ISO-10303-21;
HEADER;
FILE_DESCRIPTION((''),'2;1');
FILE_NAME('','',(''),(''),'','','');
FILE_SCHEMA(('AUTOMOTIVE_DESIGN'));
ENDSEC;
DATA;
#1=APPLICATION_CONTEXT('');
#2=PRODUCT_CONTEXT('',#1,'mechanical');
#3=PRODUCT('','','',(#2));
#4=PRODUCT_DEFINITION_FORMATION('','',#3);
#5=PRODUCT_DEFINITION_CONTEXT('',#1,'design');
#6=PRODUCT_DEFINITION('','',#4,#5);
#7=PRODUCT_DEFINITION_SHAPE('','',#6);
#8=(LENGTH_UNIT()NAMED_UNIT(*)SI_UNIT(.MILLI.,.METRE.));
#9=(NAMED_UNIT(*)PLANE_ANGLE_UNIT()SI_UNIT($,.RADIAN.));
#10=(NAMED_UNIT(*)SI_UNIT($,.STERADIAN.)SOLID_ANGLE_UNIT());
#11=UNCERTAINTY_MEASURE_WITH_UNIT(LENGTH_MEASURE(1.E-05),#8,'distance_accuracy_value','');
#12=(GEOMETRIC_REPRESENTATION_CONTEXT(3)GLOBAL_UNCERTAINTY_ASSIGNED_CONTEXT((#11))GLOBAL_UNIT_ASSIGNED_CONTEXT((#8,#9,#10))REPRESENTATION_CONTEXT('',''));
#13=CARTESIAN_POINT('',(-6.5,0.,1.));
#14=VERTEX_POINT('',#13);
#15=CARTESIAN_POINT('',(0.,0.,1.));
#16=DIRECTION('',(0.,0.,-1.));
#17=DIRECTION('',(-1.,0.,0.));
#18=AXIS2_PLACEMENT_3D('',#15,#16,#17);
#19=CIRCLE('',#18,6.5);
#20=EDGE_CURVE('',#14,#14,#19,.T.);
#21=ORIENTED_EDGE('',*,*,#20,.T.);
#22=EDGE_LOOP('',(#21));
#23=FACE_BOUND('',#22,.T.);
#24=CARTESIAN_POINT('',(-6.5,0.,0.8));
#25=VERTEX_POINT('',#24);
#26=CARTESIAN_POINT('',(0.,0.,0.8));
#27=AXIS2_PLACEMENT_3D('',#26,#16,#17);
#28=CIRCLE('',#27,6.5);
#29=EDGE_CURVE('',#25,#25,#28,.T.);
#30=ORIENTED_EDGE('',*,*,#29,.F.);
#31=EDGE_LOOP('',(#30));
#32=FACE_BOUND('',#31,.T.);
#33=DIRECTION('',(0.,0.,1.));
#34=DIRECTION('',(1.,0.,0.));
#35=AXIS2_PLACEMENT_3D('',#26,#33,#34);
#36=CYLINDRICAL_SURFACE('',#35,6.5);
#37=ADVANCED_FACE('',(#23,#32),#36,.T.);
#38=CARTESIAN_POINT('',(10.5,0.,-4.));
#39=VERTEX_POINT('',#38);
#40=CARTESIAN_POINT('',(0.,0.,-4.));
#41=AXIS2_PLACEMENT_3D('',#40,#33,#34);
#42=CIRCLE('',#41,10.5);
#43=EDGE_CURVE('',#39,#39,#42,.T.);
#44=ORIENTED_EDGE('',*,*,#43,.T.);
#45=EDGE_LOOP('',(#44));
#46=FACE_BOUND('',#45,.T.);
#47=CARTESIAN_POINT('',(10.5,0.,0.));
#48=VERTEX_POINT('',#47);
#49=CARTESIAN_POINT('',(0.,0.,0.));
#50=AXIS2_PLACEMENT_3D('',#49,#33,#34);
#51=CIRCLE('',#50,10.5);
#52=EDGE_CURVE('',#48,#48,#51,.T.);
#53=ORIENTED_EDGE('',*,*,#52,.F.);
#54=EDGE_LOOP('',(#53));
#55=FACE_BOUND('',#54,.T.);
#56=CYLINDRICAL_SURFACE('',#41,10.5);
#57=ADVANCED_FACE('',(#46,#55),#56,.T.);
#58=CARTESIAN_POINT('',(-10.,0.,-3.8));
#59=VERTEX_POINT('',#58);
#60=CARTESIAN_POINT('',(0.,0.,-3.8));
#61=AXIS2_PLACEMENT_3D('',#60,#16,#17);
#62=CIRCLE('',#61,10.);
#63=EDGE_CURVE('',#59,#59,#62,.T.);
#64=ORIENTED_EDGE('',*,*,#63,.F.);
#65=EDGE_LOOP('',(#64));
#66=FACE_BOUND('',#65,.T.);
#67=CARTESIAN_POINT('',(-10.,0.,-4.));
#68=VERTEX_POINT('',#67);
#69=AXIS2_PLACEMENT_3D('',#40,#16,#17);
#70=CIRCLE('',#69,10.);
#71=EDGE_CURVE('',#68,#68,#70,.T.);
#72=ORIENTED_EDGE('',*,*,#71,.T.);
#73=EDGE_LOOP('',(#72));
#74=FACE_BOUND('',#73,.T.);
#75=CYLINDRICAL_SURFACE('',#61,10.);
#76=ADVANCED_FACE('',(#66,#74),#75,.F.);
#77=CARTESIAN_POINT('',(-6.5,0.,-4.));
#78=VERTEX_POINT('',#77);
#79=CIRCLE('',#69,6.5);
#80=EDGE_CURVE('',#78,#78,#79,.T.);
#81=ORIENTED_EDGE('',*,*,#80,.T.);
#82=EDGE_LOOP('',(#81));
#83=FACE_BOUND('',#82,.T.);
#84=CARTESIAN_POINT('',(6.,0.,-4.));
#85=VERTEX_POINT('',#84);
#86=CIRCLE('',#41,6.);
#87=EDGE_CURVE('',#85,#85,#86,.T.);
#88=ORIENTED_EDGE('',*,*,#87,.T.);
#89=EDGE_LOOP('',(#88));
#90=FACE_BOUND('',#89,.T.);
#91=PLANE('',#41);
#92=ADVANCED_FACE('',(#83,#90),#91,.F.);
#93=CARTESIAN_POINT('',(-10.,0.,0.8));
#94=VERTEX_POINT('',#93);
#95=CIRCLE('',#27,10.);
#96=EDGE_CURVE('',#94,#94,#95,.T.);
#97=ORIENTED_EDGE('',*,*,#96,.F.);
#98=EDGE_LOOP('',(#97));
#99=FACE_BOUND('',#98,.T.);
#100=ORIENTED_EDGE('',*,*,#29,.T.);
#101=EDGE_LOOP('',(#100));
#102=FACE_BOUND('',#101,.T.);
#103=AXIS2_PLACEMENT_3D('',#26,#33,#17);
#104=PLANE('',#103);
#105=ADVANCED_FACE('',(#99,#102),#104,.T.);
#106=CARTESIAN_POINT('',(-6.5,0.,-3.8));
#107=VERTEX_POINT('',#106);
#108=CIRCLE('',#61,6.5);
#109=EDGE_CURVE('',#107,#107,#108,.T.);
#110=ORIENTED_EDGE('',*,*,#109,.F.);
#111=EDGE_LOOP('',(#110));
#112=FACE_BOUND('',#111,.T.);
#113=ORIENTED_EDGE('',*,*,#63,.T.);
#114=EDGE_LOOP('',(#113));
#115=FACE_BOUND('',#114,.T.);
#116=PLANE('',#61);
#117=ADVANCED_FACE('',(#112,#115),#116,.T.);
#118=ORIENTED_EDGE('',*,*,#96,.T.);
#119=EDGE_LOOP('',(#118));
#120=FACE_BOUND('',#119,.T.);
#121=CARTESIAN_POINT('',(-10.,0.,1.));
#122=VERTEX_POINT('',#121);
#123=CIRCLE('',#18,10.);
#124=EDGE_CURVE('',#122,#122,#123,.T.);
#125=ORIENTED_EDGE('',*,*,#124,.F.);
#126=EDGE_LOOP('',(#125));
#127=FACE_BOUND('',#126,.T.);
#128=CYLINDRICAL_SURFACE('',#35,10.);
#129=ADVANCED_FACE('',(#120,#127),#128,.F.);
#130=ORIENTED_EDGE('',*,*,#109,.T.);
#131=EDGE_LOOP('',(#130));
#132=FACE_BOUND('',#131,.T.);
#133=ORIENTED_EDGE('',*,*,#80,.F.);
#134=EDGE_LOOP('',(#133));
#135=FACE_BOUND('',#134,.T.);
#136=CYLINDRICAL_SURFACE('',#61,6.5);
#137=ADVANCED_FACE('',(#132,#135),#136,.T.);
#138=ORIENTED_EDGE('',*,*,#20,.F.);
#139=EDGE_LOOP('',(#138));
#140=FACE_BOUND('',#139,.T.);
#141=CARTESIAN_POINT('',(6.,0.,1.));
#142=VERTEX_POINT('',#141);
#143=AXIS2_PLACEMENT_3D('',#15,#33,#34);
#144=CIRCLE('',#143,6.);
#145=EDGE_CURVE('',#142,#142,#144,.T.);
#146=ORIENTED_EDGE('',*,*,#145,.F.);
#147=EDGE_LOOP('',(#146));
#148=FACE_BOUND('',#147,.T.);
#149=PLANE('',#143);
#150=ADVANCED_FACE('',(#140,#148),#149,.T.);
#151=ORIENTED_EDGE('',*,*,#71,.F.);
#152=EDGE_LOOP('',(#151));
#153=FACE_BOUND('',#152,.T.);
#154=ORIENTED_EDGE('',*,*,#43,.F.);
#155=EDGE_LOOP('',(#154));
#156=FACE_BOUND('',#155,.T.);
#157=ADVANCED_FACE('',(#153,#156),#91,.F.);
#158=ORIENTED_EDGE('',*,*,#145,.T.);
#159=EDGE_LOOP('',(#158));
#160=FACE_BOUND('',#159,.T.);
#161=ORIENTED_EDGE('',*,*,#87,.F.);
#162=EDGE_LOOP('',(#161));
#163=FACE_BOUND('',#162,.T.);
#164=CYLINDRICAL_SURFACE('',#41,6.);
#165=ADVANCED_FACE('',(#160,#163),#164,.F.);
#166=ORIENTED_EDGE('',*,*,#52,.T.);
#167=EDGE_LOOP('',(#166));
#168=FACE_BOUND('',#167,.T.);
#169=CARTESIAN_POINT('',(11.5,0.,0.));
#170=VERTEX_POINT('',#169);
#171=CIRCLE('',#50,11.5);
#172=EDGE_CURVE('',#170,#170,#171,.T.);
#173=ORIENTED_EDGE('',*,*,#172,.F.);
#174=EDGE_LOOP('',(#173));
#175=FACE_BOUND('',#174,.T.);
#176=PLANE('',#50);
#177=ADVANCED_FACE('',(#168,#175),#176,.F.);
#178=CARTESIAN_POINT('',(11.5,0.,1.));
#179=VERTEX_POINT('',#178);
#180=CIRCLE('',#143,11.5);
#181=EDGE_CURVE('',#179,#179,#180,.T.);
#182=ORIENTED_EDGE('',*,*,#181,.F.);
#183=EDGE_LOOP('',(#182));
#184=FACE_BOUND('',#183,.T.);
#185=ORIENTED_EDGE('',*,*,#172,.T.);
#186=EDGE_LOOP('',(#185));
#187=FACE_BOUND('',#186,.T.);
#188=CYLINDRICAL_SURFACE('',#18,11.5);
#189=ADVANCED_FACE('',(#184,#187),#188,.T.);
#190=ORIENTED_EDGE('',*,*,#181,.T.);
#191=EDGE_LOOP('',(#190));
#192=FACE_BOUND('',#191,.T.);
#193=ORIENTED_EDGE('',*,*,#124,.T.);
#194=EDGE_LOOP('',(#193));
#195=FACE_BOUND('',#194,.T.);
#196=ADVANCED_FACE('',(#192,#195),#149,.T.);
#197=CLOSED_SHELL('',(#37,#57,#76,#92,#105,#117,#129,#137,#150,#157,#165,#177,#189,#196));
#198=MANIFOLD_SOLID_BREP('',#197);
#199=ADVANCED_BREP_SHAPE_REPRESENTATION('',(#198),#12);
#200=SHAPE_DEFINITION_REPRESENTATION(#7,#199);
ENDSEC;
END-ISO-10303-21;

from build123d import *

# Parameters (mm, degrees)
SKETCH_1_R          = 11.5
SKETCH_1_R_2        = 10.5
EXTRUDE_1_DEPTH     = 1
EXTRUDE_START       = -5
SKETCH_2_R          = 10.5
SKETCH_2_R_2        = 6
EXTRUDE_2_DEPTH     = 5
SKETCH_3_R          = 10
SKETCH_3_R_2        = 6.5
CUT_EXTRUDE_1_DEPTH = 0.2


with BuildPart() as part:
    # 草图1 → 凸台-拉伸1 (new body)
    with BuildSketch(Plane.XY):
        Circle(SKETCH_1_R)
        Circle(SKETCH_1_R_2, mode=Mode.SUBTRACT)
    extrude(amount=EXTRUDE_1_DEPTH)

    # 草图2 → 凸台-拉伸2 (add)
    with BuildSketch(Plane.XY.offset(1).offset(EXTRUDE_START)):
        Circle(SKETCH_2_R)
        Circle(SKETCH_2_R_2, mode=Mode.SUBTRACT)
    extrude(amount=EXTRUDE_2_DEPTH)

    # 草图3 → 切除-拉伸1 (cut)
    with BuildSketch(Plane(origin=(0, 0, -4), x_dir=(-1, 0, 0), z_dir=(0, 0, -1))):
        Circle(SKETCH_3_R)
        Circle(SKETCH_3_R_2, mode=Mode.SUBTRACT)
    cut_extrude_1 = extrude(amount=-CUT_EXTRUDE_1_DEPTH, mode=Mode.SUBTRACT)

    # 镜向1: 切除-拉伸1 across plane
    add(cut_extrude_1.mirror(Plane(origin=(0, 0, -1.5), x_dir=(1, 0, 0), z_dir=(0, 0, -1))), mode=Mode.SUBTRACT)


solid = part.part
